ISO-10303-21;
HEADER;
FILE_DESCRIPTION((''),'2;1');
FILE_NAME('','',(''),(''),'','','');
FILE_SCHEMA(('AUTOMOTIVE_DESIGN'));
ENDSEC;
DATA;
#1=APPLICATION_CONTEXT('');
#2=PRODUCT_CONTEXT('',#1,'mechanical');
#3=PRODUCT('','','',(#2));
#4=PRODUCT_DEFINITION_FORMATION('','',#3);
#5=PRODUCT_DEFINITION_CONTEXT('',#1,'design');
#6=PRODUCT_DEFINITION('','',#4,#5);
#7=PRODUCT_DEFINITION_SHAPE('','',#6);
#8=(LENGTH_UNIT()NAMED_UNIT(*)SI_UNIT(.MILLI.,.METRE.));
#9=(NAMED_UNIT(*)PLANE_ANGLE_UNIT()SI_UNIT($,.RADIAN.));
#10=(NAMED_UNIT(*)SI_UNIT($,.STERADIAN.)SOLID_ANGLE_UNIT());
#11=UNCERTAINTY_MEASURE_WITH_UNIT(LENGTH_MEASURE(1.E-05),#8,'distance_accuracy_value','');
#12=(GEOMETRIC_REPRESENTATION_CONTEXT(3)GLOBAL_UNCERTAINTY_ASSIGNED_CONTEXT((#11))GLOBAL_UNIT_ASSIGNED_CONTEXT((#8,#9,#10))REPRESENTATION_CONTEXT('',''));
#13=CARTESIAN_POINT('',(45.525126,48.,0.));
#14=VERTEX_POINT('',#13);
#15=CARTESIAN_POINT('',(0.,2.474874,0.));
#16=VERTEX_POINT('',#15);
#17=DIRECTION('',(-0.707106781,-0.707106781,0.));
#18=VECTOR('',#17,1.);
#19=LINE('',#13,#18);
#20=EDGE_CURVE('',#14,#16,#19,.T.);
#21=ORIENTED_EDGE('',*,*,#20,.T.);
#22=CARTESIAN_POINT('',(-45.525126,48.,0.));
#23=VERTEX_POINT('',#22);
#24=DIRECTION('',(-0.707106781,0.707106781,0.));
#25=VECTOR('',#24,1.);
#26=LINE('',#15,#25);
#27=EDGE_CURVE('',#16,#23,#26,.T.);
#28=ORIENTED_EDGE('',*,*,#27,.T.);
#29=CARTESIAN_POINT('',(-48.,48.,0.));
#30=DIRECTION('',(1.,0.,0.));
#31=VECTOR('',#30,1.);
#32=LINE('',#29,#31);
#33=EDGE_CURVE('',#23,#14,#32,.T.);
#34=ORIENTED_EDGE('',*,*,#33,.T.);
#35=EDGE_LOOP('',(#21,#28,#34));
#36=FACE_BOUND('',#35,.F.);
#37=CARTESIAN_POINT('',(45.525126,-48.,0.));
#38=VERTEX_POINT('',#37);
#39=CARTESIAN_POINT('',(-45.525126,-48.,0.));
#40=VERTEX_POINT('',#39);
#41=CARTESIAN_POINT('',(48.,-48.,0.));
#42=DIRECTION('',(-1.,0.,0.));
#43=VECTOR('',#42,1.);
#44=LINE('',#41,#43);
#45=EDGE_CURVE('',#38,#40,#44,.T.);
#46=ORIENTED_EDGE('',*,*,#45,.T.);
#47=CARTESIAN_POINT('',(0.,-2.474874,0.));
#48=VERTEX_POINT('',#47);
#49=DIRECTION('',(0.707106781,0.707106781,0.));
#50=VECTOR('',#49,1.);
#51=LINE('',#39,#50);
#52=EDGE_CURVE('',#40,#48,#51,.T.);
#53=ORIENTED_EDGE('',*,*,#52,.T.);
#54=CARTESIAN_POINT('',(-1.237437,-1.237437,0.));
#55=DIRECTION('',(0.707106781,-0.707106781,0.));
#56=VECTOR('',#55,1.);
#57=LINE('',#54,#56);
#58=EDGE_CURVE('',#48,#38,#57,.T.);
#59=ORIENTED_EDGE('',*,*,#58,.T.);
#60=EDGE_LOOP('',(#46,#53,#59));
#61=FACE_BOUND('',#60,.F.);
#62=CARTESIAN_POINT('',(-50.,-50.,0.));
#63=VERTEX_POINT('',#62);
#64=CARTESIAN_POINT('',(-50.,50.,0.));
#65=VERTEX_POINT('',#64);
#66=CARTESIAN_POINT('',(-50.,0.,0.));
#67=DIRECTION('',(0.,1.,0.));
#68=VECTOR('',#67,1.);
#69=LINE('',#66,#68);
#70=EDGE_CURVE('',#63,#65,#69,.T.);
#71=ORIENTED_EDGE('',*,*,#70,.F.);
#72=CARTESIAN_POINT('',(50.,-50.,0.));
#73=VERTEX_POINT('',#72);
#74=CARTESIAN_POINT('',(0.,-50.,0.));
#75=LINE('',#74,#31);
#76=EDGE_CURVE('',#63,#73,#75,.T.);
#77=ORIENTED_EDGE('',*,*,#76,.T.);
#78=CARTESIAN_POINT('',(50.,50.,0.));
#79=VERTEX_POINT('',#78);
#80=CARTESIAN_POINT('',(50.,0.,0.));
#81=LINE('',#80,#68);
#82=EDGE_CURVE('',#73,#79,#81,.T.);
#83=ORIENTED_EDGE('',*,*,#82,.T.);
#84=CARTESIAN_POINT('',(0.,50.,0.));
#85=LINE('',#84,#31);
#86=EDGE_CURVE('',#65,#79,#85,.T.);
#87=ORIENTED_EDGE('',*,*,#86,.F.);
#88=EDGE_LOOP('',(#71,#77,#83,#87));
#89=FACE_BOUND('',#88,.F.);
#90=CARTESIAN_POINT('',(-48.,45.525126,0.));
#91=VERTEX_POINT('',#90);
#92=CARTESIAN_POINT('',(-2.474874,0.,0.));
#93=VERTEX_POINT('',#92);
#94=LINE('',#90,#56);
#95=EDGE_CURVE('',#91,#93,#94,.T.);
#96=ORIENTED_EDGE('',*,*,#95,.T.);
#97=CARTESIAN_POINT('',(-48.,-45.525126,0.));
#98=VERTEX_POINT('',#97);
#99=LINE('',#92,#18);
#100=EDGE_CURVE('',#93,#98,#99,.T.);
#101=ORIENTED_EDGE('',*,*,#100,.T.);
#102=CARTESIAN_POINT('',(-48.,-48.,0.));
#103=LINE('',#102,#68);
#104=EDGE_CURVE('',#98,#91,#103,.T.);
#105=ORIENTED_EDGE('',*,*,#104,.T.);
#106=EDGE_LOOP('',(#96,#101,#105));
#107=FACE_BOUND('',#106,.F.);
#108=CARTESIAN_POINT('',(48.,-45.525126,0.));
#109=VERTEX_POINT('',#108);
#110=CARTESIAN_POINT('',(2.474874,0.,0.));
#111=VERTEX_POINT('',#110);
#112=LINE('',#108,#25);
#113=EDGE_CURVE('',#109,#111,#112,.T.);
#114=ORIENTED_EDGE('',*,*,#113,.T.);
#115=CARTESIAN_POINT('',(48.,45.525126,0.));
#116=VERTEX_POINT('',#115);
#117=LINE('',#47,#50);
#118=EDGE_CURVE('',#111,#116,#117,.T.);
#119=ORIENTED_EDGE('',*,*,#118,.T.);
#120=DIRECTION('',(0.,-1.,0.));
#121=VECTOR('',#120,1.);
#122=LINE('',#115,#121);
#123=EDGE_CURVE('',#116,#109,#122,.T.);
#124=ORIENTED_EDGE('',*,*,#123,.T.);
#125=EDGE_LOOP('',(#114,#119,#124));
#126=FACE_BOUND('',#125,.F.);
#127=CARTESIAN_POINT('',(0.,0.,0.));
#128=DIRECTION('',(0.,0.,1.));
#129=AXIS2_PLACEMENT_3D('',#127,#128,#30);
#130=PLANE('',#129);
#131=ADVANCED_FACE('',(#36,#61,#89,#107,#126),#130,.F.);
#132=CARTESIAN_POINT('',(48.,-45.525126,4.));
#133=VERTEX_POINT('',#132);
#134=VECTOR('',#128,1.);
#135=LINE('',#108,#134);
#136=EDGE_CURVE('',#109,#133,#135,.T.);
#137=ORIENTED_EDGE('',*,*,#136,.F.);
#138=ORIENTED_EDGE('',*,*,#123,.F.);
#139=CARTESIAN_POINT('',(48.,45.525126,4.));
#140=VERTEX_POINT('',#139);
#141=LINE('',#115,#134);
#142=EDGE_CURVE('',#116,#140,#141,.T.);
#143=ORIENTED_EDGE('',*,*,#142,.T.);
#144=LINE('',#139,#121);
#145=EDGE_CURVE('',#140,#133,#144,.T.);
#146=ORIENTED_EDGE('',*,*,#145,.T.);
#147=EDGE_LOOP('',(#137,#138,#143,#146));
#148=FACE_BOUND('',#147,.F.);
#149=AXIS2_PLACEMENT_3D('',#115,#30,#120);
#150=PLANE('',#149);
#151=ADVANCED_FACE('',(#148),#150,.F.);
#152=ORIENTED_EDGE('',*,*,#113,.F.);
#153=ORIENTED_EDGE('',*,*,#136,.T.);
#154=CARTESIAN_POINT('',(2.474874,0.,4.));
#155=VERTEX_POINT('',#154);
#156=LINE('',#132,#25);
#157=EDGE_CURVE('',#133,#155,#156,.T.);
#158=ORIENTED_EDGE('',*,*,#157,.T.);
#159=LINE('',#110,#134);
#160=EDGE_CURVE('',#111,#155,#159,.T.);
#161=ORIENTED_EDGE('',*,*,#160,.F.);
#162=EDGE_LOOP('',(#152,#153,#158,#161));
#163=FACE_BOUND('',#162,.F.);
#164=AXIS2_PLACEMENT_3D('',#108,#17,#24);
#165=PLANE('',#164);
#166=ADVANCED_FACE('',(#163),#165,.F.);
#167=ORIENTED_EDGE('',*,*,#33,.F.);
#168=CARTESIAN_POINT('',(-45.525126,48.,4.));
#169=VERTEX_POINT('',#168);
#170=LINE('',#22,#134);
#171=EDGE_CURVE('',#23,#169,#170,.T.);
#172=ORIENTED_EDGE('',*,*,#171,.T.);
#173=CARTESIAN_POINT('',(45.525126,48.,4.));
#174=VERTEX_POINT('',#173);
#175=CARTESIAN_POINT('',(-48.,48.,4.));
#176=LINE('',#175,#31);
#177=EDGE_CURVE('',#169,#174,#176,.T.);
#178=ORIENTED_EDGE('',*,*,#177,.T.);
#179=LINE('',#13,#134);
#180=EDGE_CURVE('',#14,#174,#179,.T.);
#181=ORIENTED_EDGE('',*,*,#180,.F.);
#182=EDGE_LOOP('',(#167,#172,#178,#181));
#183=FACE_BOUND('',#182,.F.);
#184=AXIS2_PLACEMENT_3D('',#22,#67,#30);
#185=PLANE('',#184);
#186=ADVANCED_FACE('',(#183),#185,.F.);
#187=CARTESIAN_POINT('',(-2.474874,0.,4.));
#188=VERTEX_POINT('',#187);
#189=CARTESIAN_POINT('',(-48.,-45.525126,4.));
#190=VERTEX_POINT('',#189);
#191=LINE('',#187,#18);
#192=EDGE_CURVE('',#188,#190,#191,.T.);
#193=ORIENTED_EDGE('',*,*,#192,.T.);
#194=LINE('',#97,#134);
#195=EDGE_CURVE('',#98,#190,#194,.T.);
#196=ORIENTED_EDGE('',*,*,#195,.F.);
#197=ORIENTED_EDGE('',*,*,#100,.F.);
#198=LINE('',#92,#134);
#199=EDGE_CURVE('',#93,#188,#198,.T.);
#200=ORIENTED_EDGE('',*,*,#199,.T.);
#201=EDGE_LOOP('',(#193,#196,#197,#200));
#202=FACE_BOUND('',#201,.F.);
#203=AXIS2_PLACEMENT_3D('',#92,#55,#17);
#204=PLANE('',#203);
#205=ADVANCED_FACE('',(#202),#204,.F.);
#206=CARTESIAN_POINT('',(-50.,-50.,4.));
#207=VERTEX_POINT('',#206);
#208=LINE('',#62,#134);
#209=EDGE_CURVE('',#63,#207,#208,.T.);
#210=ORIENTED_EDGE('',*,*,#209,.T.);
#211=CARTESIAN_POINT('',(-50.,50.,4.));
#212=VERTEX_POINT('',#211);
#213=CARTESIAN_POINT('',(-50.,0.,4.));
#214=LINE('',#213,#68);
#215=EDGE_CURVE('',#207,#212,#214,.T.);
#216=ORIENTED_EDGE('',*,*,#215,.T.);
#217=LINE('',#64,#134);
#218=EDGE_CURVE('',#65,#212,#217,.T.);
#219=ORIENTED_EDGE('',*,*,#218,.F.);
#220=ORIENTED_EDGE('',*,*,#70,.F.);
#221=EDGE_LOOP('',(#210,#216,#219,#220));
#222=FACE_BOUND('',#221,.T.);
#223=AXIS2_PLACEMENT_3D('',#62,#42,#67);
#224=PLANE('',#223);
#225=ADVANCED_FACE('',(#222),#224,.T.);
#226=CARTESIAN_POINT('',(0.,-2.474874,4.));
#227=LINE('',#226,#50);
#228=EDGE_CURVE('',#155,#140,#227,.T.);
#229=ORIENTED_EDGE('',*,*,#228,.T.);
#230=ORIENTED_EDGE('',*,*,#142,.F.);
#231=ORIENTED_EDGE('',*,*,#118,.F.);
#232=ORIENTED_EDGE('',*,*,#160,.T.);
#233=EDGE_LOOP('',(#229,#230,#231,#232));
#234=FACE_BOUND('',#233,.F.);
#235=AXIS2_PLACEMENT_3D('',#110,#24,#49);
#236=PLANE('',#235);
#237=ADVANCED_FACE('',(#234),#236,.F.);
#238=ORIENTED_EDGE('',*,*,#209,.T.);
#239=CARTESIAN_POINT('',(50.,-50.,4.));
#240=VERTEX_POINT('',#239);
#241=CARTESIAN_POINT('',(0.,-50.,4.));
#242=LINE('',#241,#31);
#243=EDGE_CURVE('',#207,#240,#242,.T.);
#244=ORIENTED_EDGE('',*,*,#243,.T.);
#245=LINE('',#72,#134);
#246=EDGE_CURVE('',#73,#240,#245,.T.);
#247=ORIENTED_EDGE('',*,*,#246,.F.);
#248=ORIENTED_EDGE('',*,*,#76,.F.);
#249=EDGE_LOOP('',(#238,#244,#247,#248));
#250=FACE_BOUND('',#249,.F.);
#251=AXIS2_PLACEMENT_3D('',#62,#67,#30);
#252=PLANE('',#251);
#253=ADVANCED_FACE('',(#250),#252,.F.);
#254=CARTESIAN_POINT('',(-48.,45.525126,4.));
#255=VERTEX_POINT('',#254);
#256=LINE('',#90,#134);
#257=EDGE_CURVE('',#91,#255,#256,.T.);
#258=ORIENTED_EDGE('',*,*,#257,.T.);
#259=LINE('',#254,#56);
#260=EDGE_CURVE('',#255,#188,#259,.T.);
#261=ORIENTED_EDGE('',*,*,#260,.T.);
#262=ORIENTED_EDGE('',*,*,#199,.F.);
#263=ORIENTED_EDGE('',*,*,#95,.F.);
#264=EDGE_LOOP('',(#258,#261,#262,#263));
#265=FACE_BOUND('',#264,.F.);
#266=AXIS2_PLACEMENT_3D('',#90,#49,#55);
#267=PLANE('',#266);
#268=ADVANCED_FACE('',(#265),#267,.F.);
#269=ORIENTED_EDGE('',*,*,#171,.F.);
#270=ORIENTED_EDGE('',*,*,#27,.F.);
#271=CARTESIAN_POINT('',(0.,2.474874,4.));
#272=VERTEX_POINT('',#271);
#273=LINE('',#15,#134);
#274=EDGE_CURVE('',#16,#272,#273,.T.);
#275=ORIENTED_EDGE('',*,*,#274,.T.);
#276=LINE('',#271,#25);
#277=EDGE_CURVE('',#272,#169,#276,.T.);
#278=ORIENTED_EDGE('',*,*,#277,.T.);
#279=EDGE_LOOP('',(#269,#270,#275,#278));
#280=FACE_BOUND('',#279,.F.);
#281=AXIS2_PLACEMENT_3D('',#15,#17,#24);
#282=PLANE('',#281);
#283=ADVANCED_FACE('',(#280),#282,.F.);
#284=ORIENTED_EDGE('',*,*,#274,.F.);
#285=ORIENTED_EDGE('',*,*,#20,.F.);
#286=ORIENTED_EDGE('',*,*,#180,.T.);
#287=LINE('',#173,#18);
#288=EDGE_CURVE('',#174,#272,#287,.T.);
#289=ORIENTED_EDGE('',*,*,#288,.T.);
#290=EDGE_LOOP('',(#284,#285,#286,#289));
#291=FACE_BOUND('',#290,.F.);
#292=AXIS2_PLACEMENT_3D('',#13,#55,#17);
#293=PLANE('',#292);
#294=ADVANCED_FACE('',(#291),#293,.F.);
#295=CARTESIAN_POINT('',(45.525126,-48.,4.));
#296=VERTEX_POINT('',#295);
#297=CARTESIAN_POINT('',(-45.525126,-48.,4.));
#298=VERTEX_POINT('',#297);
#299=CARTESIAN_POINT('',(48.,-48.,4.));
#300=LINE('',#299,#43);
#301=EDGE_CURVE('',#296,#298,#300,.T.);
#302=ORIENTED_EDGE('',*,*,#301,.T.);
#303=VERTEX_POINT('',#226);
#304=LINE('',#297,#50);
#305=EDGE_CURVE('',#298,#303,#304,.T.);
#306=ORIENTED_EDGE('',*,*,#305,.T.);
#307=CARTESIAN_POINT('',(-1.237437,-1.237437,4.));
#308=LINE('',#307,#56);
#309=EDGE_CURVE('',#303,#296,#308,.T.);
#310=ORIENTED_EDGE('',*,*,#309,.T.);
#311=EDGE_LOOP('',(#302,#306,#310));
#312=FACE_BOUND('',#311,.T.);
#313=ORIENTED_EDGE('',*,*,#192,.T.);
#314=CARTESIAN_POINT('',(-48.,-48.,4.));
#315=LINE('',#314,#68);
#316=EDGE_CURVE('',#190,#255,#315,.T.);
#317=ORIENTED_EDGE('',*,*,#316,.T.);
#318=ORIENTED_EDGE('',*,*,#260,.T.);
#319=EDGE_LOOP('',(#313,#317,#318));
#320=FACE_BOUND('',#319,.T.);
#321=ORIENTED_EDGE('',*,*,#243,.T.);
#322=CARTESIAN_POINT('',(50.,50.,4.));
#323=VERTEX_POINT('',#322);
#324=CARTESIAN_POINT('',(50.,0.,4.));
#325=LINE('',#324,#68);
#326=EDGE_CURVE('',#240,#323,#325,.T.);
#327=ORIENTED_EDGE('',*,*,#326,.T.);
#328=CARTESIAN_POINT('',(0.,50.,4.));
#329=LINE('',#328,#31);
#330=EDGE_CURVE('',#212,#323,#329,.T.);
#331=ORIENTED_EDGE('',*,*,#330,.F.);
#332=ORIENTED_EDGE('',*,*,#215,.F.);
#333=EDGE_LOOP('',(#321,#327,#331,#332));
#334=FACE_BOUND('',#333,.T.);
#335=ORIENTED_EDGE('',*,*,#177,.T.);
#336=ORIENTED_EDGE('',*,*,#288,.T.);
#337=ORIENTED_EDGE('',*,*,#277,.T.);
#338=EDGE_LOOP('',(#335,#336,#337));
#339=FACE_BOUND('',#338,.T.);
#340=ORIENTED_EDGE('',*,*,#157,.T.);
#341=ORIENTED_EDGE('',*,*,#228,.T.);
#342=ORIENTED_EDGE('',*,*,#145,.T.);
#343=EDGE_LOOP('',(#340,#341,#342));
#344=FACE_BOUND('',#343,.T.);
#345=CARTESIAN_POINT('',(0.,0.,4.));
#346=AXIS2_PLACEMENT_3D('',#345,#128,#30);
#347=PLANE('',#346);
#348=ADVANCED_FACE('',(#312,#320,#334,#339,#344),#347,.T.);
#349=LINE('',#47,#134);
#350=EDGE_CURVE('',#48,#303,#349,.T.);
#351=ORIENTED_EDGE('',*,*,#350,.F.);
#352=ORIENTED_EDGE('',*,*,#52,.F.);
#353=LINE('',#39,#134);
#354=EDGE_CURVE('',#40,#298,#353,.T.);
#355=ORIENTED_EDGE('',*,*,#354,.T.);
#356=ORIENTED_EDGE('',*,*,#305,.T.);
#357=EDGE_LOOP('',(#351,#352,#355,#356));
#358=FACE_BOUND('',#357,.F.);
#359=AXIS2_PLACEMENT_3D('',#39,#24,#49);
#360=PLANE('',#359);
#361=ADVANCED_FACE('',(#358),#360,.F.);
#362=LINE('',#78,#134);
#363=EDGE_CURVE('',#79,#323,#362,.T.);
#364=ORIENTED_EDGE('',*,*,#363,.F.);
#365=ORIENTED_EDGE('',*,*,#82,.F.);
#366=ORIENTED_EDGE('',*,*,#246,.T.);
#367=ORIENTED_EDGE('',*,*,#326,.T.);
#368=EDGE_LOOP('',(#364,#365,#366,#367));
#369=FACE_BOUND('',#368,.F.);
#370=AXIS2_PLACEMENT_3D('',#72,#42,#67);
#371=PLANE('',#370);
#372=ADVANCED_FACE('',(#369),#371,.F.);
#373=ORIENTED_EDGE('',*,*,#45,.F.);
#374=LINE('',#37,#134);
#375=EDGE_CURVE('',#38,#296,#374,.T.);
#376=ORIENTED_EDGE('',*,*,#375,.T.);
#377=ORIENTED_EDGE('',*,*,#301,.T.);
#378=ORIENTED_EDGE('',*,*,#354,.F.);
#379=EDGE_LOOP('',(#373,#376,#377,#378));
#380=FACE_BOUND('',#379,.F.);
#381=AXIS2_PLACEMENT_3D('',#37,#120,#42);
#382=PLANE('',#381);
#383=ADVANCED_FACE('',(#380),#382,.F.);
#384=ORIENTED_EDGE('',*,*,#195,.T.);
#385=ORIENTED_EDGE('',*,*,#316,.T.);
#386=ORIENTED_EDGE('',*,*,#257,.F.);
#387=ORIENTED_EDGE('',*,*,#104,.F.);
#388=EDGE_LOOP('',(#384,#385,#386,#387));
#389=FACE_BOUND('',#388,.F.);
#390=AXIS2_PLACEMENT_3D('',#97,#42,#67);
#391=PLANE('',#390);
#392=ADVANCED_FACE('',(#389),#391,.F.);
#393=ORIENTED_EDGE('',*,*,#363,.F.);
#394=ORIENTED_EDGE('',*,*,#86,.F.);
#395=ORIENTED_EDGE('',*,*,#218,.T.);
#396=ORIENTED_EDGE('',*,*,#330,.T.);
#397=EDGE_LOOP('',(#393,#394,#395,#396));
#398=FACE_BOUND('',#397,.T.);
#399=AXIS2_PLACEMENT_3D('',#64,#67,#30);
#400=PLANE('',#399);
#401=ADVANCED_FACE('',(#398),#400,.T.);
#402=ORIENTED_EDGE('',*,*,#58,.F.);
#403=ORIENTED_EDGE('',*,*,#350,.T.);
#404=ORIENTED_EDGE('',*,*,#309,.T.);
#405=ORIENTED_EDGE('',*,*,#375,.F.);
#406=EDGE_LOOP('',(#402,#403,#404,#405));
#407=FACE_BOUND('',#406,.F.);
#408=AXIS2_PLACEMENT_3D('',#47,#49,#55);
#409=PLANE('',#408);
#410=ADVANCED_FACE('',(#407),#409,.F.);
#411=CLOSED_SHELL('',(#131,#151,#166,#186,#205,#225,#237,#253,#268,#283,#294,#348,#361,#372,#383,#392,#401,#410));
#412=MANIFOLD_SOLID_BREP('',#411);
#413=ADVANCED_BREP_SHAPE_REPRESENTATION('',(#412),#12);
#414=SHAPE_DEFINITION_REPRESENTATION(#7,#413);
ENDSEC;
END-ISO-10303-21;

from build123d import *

# Parameters (mm, degrees)
F0_W     = 100
F0_H     = 100
F1_DEPTH = 4


with BuildPart() as f1:
    # F0 (on Top) → F1 (new body)
    with BuildSketch(Plane.XY):
        Rectangle(F0_W, F0_H)
        with BuildLine():
            Line((-49.2374368671, -46.7625631329), (-48, -45.5251262658))
            Line((-48, -45.5251262658), (-48, 45.5251262658))
            Line((-48, 45.5251262658), (-49.2374368671, 46.7625631329))
            ThreePointArc((-49.2374368671, 46.7625631329), (-49.2374368671, 49.2374368671), (-46.7625631329, 49.2374368671))
            Line((-46.7625631329, 49.2374368671), (-45.5251262658, 48))
            Line((-45.5251262658, 48), (45.5251262658, 48))
            Line((45.5251262658, 48), (46.7625631329, 49.2374368671))
            ThreePointArc((46.7625631329, 49.2374368671), (49.2374368671, 49.2374368671), (49.2374368671, 46.7625631329))
            Line((49.2374368671, 46.7625631329), (48, 45.5251262658))
            Line((48, 45.5251262658), (48, -45.5251262658))
            Line((48, -45.5251262658), (49.2374368671, -46.7625631329))
            ThreePointArc((49.2374368671, -46.7625631329), (49.2374368671, -49.2374368671), (46.7625631329, -49.2374368671))
            Line((46.7625631329, -49.2374368671), (45.5251262658, -48))
            Line((45.5251262658, -48), (-45.5251262658, -48))
            Line((-45.5251262658, -48), (-46.7625631329, -49.2374368671))
            ThreePointArc((-46.7625631329, -49.2374368671), (-49.2374368671, -49.2374368671), (-49.2374368671, -46.7625631329))
        make_face(mode=Mode.SUBTRACT)
        with BuildLine():
            Line((-49.2374368671, 46.7625631329), (-48, 45.5251262658))
            Line((-48, 45.5251262658), (-48, 48))
            Line((-48, 48), (-45.5251262658, 48))
            Line((-45.5251262658, 48), (-46.7625631329, 49.2374368671))
            ThreePointArc((-46.7625631329, 49.2374368671), (-49.2374368671, 49.2374368671), (-49.2374368671, 46.7625631329))
        make_face()
        Polygon((-48, 48), (-48, 45.5251262658), (-2.4748737342, 0), (-1.2374368671, 1.2374368671), align=None)
        Polygon((-45.5251262658, 48), (-48, 48), (-1.2374368671, 1.2374368671), (0, 2.4748737342), align=None)
        Polygon((0, 2.4748737342), (1.2374368671, 1.2374368671), (48, 48), (45.5251262658, 48), align=None)
        Polygon((48, 48), (1.2374368671, 1.2374368671), (2.4748737342, 0), (48, 45.5251262658), align=None)
        Polygon((-1.2374368671, 1.2374368671), (0, 0), (1.2374368671, 1.2374368671), (0, 2.4748737342), align=None)
        Polygon((1.2374368671, 1.2374368671), (0, 0), (1.2374368671, -1.2374368671), (2.4748737342, 0), align=None)
        Polygon((0, 0), (-1.2374368671, -1.2374368671), (0, -2.4748737342), (1.2374368671, -1.2374368671), align=None)
        Polygon((-2.4748737342, 0), (-1.2374368671, -1.2374368671), (0, 0), (-1.2374368671, 1.2374368671), align=None)
        with BuildLine():
            Line((-45.5251262658, -48), (-48, -48))
            Line((-48, -48), (-48, -45.5251262658))
            Line((-48, -45.5251262658), (-49.2374368671, -46.7625631329))
            ThreePointArc((-49.2374368671, -46.7625631329), (-49.2374368671, -49.2374368671), (-46.7625631329, -49.2374368671))
            Line((-46.7625631329, -49.2374368671), (-45.5251262658, -48))
        make_face()
        with BuildLine():
            Line((48, -48), (45.5251262658, -48))
            Line((45.5251262658, -48), (46.7625631329, -49.2374368671))
            ThreePointArc((46.7625631329, -49.2374368671), (49.2374368671, -49.2374368671), (49.2374368671, -46.7625631329))
            Line((49.2374368671, -46.7625631329), (48, -45.5251262658))
            Line((48, -45.5251262658), (48, -48))
        make_face()
        with BuildLine():
            Line((45.5251262658, 48), (48, 48))
            Line((48, 48), (48, 45.5251262658))
            Line((48, 45.5251262658), (49.2374368671, 46.7625631329))
            ThreePointArc((49.2374368671, 46.7625631329), (49.2374368671, 49.2374368671), (46.7625631329, 49.2374368671))
            Line((46.7625631329, 49.2374368671), (45.5251262658, 48))
        make_face()
        Polygon((-48, -45.5251262658), (-48, -48), (-1.2374368671, -1.2374368671), (-2.4748737342, 0), align=None)
        Polygon((0, -2.4748737342), (45.5251262658, -48), (48, -48), (1.2374368671, -1.2374368671), align=None)
        Polygon((-1.2374368671, -1.2374368671), (-48, -48), (-45.5251262658, -48), (0, -2.4748737342), align=None)
        Polygon((1.2374368671, -1.2374368671), (48, -48), (48, -45.5251262658), (2.4748737342, 0), align=None)
    extrude(amount=F1_DEPTH)


solid = f1.part
